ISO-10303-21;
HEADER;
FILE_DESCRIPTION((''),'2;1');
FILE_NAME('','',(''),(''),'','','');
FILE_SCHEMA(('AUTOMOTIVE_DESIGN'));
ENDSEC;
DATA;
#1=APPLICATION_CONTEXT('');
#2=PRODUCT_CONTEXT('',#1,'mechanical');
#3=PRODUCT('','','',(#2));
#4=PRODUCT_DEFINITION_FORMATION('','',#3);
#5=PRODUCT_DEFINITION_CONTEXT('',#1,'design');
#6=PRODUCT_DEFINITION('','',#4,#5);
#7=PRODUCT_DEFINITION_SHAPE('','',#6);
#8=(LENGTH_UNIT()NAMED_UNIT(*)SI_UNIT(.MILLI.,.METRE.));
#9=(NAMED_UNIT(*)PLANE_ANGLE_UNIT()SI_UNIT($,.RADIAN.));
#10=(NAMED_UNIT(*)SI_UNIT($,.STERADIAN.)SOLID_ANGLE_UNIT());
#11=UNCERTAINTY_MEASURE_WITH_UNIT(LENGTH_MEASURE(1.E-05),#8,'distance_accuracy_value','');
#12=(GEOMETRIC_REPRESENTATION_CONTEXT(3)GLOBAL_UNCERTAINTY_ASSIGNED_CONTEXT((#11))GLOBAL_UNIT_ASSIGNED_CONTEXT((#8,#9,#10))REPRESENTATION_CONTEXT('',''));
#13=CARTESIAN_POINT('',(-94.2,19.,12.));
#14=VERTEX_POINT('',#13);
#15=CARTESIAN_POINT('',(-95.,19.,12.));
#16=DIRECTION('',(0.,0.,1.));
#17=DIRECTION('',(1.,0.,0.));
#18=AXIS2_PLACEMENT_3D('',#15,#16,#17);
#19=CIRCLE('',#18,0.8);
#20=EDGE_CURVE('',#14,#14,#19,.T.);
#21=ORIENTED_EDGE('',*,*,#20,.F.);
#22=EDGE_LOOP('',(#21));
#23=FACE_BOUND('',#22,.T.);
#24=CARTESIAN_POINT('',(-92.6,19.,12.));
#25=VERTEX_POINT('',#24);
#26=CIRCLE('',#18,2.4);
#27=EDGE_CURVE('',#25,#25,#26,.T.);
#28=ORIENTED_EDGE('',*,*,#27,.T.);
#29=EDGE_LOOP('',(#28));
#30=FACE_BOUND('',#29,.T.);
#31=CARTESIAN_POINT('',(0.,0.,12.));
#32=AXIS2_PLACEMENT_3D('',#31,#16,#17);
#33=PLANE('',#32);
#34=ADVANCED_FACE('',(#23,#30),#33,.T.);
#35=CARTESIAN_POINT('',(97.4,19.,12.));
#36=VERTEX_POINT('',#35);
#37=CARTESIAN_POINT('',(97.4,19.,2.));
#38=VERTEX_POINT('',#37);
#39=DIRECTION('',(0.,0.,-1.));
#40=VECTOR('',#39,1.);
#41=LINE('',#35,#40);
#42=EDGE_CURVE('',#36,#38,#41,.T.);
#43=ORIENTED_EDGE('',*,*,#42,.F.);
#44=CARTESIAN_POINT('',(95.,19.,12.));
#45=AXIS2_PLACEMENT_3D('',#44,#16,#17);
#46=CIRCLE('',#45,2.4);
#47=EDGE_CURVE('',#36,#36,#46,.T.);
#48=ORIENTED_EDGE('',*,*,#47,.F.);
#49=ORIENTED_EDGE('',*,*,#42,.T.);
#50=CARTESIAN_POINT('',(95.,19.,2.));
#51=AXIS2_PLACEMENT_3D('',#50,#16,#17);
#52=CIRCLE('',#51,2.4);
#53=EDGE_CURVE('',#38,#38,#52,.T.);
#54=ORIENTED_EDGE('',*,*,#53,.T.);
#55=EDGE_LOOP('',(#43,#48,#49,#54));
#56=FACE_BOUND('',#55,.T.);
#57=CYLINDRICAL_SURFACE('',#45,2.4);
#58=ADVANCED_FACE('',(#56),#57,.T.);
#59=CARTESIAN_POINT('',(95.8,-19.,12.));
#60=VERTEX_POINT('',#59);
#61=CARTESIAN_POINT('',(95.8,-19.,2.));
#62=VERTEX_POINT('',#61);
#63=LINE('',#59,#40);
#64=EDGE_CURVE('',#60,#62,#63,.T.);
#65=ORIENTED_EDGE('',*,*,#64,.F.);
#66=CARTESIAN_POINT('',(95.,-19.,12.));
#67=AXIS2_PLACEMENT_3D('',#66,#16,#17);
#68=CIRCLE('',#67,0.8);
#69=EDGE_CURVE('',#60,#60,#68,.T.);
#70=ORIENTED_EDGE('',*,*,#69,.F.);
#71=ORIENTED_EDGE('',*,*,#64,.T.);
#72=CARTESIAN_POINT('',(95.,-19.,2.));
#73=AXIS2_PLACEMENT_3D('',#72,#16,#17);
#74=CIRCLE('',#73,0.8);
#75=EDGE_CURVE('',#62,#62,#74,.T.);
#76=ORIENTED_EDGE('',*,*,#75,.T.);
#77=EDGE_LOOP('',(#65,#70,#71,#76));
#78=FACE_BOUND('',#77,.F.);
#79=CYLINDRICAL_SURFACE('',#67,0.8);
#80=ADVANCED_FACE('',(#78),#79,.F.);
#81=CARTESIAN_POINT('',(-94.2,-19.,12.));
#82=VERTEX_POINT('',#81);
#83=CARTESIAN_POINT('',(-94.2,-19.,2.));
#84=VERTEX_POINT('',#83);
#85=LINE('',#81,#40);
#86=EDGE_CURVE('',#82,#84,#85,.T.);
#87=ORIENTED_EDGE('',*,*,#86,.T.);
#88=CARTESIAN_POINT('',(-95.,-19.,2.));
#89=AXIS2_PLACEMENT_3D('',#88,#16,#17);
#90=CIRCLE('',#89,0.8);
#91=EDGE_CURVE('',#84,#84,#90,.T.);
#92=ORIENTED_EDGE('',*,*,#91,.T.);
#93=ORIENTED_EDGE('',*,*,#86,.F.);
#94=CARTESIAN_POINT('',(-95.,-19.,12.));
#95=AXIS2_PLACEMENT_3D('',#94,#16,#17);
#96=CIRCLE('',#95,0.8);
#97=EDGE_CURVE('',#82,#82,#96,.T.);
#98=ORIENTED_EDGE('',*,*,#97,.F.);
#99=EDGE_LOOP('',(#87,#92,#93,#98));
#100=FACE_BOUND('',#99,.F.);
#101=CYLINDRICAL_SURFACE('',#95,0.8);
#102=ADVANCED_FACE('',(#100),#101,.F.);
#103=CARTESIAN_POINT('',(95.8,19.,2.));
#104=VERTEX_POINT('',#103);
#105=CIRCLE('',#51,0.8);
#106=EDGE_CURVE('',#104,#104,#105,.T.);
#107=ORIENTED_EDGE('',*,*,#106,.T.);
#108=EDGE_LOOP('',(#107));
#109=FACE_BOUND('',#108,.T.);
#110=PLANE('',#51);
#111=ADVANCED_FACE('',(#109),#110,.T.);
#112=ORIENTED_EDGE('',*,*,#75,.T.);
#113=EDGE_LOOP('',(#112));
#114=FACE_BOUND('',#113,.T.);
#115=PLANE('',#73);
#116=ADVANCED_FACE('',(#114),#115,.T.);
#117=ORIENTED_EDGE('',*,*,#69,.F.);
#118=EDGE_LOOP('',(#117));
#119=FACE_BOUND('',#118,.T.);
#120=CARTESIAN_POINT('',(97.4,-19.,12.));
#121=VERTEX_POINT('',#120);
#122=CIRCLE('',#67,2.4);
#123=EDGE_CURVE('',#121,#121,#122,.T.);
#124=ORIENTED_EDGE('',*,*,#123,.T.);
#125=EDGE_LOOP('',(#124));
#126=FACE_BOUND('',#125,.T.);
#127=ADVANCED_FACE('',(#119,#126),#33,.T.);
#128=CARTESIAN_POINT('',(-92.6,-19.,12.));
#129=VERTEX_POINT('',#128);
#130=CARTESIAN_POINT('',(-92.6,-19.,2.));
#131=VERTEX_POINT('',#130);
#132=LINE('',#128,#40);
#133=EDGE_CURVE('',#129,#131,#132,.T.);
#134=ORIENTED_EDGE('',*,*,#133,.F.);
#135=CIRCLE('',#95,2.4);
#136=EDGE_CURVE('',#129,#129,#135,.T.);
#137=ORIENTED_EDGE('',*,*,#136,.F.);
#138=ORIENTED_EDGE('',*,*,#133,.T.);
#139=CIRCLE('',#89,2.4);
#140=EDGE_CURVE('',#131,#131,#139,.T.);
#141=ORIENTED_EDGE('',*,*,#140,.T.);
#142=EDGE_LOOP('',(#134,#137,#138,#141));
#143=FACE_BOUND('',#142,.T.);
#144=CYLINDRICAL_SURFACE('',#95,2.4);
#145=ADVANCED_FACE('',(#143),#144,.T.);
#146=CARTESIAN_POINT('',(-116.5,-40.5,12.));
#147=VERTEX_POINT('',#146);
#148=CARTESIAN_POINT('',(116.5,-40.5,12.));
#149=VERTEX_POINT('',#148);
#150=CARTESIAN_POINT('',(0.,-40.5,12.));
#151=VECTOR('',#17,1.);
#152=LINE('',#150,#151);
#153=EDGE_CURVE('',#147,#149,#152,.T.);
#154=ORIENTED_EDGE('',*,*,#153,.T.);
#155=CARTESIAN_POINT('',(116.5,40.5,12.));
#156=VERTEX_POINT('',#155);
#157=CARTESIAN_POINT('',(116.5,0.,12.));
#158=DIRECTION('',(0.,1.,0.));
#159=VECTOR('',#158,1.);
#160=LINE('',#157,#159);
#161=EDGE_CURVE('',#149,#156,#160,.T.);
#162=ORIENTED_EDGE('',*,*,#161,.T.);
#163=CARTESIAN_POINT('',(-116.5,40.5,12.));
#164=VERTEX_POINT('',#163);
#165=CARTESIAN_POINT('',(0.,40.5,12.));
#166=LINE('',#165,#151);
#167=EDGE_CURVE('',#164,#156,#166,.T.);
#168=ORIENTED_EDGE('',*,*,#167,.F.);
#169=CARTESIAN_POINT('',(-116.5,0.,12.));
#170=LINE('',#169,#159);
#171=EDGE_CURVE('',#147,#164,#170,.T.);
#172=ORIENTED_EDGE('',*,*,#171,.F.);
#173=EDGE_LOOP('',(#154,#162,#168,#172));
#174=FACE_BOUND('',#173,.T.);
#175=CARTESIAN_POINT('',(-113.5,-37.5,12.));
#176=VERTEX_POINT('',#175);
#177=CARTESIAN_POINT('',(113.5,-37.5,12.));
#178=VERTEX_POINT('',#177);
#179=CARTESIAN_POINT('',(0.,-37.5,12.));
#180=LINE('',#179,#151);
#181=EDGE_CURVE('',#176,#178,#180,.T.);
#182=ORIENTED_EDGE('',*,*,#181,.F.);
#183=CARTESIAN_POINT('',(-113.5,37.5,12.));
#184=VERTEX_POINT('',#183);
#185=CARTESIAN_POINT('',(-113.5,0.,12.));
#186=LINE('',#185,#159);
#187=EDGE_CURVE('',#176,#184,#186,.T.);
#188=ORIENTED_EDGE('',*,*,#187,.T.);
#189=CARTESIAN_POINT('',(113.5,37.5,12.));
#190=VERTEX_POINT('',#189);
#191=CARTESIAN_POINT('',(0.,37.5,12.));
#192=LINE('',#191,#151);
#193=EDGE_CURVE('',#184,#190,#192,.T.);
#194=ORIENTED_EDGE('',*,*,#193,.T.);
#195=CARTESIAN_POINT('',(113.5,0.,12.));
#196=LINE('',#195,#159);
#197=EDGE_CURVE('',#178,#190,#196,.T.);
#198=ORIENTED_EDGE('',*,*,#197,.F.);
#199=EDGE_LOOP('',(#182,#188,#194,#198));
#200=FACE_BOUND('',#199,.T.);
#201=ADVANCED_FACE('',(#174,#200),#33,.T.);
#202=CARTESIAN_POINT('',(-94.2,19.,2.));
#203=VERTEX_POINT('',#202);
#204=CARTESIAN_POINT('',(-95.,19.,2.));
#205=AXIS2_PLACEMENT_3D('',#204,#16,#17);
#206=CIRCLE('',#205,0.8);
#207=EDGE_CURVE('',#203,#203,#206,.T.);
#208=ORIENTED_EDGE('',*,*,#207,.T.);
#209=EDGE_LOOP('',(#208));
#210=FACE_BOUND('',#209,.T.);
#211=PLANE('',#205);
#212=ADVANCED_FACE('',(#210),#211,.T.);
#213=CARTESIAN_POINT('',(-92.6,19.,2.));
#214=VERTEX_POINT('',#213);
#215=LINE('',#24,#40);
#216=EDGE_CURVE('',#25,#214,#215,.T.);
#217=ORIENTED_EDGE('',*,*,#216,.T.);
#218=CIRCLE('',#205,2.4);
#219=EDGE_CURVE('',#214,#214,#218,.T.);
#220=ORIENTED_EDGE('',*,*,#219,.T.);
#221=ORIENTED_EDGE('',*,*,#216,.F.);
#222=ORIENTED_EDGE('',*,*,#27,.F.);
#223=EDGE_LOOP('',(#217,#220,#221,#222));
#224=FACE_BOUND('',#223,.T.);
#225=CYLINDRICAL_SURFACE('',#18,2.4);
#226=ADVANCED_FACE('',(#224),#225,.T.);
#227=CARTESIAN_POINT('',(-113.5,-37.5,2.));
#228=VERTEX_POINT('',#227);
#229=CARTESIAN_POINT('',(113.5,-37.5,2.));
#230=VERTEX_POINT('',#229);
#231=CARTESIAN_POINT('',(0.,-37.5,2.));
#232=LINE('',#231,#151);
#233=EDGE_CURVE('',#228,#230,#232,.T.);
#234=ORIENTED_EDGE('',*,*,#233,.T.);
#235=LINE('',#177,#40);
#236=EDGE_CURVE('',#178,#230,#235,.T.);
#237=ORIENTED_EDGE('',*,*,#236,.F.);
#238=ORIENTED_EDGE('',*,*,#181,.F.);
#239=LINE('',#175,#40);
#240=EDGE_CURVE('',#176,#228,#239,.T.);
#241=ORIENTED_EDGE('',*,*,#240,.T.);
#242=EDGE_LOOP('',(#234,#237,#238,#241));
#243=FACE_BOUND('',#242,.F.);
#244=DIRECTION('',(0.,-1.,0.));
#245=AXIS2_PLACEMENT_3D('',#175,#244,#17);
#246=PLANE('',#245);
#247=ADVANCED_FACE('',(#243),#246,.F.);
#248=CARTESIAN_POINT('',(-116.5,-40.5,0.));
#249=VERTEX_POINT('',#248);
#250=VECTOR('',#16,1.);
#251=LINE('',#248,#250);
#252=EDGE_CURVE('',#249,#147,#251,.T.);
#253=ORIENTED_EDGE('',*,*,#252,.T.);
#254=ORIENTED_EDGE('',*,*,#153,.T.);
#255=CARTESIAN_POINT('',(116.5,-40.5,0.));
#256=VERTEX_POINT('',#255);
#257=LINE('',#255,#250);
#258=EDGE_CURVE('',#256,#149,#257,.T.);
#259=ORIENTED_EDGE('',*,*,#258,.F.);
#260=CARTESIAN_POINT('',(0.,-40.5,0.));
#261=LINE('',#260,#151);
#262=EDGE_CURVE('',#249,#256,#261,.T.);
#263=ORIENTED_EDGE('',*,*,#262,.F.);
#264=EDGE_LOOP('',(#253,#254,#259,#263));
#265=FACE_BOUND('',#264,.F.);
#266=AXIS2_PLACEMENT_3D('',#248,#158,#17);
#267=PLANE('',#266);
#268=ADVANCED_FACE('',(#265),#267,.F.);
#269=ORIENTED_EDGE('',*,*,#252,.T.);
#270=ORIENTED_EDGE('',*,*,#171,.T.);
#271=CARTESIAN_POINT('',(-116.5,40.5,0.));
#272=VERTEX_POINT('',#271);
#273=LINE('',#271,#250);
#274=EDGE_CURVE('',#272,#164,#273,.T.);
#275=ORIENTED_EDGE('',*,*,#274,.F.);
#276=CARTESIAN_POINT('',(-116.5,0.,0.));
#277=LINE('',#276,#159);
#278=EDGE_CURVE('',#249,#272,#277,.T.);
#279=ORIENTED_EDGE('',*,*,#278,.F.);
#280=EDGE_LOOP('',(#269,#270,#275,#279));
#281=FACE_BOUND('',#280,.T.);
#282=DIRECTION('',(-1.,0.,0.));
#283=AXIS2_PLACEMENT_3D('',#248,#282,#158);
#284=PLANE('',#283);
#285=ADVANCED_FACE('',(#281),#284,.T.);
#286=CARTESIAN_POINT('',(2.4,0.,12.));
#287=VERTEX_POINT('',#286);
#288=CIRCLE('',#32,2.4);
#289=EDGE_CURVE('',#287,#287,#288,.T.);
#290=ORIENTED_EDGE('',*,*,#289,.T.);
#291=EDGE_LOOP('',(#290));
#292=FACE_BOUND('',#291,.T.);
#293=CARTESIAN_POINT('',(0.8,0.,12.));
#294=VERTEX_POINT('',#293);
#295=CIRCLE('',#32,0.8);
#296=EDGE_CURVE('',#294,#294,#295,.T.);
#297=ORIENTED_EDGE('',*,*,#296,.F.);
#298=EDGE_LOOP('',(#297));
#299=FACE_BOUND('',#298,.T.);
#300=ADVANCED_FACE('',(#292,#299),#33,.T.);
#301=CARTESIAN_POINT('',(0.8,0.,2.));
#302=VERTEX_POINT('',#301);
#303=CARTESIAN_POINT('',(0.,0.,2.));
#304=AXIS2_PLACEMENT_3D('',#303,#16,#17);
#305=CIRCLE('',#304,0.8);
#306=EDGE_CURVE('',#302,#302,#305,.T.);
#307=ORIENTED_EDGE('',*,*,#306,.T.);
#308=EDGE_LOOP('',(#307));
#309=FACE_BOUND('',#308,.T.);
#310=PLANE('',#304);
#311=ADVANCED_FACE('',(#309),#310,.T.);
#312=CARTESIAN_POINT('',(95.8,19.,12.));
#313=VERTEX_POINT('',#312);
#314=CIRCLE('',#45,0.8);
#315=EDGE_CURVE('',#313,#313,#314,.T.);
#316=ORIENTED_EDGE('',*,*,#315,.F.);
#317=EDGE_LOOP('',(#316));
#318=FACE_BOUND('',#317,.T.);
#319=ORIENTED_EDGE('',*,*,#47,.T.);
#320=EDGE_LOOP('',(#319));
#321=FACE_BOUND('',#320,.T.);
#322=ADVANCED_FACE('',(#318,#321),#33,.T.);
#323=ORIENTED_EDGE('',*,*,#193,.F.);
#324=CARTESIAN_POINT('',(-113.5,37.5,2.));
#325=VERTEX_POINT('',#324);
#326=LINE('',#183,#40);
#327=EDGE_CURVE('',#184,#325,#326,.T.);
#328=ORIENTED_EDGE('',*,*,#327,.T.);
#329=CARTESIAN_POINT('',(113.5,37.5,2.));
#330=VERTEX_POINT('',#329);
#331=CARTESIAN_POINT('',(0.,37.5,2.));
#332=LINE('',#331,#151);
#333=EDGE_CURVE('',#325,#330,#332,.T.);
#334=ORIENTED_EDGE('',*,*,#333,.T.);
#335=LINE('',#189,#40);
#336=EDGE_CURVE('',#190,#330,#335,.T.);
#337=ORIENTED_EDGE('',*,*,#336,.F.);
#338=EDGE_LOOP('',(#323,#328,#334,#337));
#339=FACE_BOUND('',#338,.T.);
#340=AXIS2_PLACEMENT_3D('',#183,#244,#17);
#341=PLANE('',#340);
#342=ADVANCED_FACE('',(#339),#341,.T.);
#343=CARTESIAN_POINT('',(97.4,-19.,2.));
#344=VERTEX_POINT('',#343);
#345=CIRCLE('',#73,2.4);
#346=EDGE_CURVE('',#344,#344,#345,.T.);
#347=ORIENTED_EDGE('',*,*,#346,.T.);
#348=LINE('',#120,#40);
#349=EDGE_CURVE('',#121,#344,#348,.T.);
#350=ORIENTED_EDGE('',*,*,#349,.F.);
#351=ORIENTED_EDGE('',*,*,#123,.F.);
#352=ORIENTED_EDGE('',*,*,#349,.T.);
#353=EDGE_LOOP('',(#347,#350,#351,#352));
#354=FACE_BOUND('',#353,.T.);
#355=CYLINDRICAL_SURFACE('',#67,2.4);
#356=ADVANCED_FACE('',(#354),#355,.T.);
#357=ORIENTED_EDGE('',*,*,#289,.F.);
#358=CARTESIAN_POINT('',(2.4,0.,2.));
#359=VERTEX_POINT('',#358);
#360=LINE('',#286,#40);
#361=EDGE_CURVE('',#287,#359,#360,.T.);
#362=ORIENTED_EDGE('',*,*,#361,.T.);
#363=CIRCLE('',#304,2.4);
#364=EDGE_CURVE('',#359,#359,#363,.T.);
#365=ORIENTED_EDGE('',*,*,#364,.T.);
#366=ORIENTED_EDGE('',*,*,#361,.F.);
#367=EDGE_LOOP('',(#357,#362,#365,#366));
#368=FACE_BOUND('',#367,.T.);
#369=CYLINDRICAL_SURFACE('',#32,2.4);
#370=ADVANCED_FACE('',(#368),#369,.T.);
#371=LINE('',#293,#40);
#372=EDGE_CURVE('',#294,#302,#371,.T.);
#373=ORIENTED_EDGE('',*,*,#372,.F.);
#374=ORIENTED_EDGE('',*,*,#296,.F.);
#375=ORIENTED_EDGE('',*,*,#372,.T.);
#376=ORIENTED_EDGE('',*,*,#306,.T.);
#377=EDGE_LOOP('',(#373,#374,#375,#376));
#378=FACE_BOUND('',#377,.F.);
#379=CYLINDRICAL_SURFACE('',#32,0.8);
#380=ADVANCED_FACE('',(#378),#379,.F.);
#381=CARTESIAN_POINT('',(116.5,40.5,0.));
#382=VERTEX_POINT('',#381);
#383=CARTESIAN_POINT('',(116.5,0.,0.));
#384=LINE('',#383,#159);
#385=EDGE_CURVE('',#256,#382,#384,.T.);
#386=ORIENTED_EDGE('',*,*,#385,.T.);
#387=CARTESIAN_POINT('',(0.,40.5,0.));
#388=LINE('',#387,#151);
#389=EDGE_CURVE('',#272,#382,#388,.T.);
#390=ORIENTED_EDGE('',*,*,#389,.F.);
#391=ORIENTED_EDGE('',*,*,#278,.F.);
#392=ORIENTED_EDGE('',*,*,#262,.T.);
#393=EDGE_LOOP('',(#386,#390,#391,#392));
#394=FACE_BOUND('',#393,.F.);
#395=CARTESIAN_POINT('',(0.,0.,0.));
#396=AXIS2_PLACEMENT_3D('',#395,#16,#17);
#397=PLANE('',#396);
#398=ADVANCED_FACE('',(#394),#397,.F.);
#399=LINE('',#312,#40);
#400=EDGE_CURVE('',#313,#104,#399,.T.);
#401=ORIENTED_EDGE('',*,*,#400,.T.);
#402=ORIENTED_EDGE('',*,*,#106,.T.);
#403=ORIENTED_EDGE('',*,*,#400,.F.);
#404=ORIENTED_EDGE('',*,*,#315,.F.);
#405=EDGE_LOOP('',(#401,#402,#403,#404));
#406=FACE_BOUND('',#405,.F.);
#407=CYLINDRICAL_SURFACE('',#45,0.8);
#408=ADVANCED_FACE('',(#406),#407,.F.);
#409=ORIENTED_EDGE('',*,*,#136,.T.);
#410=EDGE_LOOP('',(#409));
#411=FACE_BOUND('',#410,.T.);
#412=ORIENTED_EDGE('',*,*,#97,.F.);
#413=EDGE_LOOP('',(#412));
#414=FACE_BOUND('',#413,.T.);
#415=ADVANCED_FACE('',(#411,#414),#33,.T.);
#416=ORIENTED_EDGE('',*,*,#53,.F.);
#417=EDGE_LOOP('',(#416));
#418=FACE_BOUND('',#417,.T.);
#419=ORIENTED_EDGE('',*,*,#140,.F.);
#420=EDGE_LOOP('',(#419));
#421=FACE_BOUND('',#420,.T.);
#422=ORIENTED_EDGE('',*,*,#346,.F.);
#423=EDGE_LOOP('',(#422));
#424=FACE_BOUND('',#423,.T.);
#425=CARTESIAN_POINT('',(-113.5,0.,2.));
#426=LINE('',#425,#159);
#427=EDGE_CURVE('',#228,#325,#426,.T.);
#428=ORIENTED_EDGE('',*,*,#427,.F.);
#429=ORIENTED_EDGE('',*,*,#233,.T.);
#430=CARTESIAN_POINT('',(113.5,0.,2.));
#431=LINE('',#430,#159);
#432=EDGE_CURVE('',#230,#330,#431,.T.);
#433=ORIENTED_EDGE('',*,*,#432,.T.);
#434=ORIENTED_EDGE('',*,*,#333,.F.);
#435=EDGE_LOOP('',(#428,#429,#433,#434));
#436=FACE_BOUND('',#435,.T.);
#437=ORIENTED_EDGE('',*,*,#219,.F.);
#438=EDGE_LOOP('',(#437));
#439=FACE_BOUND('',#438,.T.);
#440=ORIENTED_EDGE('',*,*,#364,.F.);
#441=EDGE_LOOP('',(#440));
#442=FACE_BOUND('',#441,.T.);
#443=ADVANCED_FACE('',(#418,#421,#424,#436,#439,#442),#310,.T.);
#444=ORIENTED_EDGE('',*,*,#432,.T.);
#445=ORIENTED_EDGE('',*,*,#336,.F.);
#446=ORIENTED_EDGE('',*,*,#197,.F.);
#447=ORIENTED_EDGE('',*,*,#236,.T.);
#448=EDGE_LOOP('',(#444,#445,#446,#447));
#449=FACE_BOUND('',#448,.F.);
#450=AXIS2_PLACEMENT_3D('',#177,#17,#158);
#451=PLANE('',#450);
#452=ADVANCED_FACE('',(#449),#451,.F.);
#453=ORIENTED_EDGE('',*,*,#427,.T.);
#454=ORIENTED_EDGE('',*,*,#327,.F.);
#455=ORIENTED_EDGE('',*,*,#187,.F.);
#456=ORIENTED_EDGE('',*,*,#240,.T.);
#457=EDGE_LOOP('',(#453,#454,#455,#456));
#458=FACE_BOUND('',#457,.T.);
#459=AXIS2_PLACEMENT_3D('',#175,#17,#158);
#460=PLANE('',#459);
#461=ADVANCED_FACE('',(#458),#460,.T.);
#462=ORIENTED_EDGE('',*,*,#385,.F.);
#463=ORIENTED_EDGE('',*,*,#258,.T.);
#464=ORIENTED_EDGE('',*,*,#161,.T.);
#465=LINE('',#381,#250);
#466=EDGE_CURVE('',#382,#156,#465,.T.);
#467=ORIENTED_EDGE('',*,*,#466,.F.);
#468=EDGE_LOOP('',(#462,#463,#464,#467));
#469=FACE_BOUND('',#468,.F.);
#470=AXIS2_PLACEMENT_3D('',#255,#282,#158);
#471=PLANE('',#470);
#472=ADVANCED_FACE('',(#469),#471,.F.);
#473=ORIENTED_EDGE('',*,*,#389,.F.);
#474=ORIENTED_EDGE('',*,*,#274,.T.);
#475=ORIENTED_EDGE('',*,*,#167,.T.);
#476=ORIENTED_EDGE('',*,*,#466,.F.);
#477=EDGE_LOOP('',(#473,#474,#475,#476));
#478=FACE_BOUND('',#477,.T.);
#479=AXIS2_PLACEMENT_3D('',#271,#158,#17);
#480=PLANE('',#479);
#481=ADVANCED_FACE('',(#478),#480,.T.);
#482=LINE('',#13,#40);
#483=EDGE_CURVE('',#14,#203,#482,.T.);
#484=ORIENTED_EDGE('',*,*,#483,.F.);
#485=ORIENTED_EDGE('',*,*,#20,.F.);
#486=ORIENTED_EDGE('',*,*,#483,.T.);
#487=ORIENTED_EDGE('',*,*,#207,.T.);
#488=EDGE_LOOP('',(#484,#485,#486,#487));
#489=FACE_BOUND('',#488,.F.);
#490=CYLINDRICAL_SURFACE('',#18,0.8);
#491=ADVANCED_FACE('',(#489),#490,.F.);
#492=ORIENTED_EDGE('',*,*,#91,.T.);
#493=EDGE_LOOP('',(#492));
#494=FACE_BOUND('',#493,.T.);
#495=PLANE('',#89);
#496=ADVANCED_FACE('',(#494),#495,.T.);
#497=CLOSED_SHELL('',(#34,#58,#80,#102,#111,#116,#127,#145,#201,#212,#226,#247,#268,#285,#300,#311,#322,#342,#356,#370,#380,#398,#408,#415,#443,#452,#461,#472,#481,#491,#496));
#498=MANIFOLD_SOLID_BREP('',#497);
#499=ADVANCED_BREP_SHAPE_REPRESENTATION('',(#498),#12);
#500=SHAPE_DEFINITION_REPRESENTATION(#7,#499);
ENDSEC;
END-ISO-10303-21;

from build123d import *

# Parameters (mm, degrees)
F0_W     = 233
F0_H     = 81
F1_DEPTH = 12
F2_W     = 227
F2_H     = 75
F2_R     = 2.4
F2_R_2   = 0.8
F3_DEPTH = 10


with BuildPart() as f1:
    # F0 (on Top) → F1 (new body)
    with BuildSketch(Plane.XY):
        Rectangle(F0_W, F0_H)
    extrude(amount=F1_DEPTH)

    # F2 (on face) → F3 (cut)
    with BuildSketch(Plane.XY.offset(12)):
        Rectangle(F2_W, F2_H)
        with Locations((-95, -19)):
            Circle(F2_R, mode=Mode.SUBTRACT)
        with Locations((95, -19)):
            Circle(F2_R, mode=Mode.SUBTRACT)
        with Locations((-95, 19)):
            Circle(F2_R, mode=Mode.SUBTRACT)
        Circle(F2_R, mode=Mode.SUBTRACT)
        with Locations((95, 19)):
            Circle(F2_R, mode=Mode.SUBTRACT)
        with Locations((-95, 19)):
            Circle(F2_R_2)
        with Locations((-95, -19)):
            Circle(F2_R_2)
        Circle(F2_R_2)
        with Locations((95, 19)):
            Circle(F2_R_2)
        with Locations((95, -19)):
            Circle(F2_R_2)
    extrude(amount=-F3_DEPTH, mode=Mode.SUBTRACT)


solid = f1.part
